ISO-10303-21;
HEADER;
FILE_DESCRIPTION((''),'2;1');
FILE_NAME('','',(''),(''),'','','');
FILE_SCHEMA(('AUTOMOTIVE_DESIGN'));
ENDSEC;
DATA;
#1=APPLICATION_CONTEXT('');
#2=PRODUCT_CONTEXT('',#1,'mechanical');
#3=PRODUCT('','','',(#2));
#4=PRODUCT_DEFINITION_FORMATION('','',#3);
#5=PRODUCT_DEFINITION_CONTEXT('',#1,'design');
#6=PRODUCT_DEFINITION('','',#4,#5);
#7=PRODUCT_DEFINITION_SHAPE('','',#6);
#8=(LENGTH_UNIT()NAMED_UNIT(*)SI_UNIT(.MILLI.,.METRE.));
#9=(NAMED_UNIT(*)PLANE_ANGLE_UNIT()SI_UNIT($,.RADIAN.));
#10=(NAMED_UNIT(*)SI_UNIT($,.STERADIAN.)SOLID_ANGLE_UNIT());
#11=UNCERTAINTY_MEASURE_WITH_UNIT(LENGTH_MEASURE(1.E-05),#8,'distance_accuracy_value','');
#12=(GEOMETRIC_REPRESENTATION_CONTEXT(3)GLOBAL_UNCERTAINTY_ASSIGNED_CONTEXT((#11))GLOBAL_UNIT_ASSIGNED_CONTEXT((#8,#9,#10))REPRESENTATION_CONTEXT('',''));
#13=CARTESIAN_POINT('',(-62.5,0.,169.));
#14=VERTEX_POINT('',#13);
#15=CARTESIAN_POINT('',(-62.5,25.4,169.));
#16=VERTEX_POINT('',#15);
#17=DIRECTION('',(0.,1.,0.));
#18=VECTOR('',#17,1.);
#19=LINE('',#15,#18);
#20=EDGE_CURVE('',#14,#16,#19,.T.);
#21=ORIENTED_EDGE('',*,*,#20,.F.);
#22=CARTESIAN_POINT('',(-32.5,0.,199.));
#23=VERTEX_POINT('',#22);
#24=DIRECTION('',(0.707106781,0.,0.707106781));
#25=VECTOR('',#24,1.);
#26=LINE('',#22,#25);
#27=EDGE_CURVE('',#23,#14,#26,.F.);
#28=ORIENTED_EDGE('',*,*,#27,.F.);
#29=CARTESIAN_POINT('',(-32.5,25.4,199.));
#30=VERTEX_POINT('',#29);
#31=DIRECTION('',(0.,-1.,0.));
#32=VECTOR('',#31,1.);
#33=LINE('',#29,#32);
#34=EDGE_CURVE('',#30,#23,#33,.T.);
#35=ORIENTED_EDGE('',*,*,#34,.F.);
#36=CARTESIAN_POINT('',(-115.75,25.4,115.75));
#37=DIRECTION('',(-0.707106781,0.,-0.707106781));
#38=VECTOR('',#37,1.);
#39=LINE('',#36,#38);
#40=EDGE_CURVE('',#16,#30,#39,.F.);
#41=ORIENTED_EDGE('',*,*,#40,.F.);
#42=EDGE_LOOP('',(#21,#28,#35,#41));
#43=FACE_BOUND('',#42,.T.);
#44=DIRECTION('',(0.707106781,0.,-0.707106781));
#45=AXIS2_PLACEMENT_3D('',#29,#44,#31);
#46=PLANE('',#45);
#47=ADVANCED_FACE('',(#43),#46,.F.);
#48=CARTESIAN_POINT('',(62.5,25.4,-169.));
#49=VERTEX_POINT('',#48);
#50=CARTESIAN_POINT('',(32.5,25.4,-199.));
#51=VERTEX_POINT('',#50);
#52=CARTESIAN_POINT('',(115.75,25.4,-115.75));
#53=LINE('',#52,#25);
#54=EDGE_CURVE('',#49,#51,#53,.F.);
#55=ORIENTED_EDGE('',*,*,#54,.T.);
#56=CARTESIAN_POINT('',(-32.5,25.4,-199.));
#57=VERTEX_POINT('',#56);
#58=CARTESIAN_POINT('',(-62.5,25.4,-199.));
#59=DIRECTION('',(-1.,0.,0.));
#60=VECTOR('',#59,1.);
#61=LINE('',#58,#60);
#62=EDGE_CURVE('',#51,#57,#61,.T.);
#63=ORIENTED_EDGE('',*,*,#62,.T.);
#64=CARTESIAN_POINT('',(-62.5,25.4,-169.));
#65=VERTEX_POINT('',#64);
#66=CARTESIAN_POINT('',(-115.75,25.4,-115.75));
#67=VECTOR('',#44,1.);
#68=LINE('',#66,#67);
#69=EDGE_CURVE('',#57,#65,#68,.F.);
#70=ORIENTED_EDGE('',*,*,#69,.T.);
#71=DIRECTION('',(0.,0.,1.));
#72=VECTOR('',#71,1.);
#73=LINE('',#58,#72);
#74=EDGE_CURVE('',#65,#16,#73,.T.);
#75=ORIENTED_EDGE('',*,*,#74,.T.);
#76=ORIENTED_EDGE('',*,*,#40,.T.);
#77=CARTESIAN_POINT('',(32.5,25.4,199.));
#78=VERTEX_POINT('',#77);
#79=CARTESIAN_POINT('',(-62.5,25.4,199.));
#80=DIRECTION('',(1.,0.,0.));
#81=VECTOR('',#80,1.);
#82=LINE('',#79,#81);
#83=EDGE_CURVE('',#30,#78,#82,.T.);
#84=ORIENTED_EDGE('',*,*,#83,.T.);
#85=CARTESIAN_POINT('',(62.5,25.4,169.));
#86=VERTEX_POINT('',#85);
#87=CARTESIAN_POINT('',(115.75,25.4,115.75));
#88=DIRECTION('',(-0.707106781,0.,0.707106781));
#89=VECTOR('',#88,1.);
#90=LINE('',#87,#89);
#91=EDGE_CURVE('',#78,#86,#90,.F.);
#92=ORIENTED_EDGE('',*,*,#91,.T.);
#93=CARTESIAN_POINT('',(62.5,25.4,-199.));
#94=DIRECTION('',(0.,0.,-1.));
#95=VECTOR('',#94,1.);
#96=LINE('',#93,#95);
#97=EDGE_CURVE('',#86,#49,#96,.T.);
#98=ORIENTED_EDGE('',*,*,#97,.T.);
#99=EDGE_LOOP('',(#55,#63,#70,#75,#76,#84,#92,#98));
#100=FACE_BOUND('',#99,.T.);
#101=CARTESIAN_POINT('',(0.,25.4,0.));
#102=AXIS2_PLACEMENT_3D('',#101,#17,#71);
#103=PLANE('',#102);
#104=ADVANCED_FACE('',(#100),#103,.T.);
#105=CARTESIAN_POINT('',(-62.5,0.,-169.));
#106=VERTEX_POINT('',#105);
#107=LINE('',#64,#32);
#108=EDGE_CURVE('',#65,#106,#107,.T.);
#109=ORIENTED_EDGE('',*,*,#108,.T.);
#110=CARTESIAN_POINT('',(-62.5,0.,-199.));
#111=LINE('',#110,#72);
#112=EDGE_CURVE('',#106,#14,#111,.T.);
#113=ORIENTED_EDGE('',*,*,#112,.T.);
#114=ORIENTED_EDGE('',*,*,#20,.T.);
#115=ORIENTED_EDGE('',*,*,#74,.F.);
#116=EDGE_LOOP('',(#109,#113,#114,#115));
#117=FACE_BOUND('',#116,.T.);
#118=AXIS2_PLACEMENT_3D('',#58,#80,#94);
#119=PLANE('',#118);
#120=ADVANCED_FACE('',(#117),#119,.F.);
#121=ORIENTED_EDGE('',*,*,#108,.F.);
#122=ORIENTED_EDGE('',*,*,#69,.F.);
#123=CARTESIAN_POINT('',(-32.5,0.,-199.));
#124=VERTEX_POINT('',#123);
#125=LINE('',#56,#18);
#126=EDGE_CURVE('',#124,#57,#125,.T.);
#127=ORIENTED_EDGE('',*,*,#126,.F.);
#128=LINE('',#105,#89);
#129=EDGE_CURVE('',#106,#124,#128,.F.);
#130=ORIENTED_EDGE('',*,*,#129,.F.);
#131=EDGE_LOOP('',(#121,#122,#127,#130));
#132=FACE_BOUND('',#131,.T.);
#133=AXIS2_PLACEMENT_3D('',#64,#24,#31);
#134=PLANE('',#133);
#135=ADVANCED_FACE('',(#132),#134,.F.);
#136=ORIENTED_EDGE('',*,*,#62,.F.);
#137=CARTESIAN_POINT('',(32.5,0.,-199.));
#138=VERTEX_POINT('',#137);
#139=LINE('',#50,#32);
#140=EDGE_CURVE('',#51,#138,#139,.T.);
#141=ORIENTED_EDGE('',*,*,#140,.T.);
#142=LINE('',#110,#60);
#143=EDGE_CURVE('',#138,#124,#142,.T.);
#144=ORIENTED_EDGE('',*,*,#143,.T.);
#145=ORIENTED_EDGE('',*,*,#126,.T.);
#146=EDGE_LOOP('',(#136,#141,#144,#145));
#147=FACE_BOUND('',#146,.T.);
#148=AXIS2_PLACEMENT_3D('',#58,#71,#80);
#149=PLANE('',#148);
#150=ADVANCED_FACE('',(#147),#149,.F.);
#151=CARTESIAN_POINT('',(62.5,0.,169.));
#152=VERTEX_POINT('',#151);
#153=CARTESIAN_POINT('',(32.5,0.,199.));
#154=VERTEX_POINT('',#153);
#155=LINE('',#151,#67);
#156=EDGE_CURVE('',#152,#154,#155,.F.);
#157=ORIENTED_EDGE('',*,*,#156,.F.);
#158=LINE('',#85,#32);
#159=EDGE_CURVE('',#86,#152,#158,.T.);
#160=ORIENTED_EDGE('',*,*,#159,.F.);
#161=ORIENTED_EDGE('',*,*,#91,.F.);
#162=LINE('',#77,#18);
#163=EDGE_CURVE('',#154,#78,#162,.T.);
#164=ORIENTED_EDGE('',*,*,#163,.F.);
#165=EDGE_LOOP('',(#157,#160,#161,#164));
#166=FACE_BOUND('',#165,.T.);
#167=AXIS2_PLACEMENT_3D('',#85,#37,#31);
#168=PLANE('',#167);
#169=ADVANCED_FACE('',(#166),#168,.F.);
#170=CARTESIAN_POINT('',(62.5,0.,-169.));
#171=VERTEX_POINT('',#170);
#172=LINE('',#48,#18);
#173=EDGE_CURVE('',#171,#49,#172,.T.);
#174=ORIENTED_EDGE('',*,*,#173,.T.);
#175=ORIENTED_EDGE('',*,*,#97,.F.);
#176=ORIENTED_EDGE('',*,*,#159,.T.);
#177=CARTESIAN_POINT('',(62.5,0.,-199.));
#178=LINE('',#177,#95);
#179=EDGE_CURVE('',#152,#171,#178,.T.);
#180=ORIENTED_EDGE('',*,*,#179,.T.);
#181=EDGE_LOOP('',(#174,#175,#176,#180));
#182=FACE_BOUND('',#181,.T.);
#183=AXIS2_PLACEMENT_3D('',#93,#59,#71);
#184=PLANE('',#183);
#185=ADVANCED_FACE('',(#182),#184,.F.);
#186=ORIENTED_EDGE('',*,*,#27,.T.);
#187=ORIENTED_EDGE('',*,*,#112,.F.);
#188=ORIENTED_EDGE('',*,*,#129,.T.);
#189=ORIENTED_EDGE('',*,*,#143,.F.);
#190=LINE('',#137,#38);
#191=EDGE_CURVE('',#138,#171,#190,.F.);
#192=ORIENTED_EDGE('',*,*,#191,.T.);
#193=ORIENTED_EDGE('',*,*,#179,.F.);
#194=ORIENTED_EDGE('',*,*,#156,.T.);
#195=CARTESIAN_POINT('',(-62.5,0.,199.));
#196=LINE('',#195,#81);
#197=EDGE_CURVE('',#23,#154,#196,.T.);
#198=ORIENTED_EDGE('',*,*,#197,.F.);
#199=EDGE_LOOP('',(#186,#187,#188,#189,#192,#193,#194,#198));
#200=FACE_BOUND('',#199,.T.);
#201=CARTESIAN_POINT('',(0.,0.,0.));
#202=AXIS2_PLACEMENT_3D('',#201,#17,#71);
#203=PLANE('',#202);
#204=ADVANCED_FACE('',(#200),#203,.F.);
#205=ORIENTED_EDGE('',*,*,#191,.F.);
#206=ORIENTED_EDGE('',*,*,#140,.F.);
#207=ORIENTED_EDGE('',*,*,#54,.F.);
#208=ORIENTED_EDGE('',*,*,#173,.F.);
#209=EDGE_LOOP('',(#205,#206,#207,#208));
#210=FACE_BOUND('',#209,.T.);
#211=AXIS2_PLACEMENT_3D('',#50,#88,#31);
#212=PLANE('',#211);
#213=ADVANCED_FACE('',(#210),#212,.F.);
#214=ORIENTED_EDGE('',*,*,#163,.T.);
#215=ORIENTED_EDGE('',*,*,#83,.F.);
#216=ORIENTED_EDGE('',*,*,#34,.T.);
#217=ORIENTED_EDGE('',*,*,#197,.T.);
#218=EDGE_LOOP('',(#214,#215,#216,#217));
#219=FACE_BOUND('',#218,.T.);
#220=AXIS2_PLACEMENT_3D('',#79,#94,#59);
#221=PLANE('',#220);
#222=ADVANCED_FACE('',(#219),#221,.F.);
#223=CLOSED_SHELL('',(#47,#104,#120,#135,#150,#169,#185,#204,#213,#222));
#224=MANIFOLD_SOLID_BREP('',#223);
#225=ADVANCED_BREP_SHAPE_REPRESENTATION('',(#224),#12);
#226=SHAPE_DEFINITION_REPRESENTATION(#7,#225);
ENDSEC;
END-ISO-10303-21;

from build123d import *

# Parameters (mm, degrees)
SKETCH1_W           = 125
SKETCH1_H           = 398
BOSS_EXTRUDE1_DEPTH = 25.4
CHAMFER1_SIZE       = 30


with BuildPart() as part:
    # Sketch1 → Boss-Extrude1 (new body)
    with BuildSketch(Plane(origin=(0, 0, 0), x_dir=(1, 0, 0), z_dir=(0, 1, 0))):
        Rectangle(SKETCH1_W, SKETCH1_H)
    extrude(amount=BOSS_EXTRUDE1_DEPTH)

    # Chamfer1
    chamfer1_edges = [part.edges().sort_by_distance(p)[0] for p in [
        (62.5, 12.7, 199),
        (-62.5, 12.7, 199),
        (-62.5, 12.7, -199),
        (62.5, 12.7, -199),
    ]]
    chamfer(chamfer1_edges, length=CHAMFER1_SIZE)


solid = part.part
